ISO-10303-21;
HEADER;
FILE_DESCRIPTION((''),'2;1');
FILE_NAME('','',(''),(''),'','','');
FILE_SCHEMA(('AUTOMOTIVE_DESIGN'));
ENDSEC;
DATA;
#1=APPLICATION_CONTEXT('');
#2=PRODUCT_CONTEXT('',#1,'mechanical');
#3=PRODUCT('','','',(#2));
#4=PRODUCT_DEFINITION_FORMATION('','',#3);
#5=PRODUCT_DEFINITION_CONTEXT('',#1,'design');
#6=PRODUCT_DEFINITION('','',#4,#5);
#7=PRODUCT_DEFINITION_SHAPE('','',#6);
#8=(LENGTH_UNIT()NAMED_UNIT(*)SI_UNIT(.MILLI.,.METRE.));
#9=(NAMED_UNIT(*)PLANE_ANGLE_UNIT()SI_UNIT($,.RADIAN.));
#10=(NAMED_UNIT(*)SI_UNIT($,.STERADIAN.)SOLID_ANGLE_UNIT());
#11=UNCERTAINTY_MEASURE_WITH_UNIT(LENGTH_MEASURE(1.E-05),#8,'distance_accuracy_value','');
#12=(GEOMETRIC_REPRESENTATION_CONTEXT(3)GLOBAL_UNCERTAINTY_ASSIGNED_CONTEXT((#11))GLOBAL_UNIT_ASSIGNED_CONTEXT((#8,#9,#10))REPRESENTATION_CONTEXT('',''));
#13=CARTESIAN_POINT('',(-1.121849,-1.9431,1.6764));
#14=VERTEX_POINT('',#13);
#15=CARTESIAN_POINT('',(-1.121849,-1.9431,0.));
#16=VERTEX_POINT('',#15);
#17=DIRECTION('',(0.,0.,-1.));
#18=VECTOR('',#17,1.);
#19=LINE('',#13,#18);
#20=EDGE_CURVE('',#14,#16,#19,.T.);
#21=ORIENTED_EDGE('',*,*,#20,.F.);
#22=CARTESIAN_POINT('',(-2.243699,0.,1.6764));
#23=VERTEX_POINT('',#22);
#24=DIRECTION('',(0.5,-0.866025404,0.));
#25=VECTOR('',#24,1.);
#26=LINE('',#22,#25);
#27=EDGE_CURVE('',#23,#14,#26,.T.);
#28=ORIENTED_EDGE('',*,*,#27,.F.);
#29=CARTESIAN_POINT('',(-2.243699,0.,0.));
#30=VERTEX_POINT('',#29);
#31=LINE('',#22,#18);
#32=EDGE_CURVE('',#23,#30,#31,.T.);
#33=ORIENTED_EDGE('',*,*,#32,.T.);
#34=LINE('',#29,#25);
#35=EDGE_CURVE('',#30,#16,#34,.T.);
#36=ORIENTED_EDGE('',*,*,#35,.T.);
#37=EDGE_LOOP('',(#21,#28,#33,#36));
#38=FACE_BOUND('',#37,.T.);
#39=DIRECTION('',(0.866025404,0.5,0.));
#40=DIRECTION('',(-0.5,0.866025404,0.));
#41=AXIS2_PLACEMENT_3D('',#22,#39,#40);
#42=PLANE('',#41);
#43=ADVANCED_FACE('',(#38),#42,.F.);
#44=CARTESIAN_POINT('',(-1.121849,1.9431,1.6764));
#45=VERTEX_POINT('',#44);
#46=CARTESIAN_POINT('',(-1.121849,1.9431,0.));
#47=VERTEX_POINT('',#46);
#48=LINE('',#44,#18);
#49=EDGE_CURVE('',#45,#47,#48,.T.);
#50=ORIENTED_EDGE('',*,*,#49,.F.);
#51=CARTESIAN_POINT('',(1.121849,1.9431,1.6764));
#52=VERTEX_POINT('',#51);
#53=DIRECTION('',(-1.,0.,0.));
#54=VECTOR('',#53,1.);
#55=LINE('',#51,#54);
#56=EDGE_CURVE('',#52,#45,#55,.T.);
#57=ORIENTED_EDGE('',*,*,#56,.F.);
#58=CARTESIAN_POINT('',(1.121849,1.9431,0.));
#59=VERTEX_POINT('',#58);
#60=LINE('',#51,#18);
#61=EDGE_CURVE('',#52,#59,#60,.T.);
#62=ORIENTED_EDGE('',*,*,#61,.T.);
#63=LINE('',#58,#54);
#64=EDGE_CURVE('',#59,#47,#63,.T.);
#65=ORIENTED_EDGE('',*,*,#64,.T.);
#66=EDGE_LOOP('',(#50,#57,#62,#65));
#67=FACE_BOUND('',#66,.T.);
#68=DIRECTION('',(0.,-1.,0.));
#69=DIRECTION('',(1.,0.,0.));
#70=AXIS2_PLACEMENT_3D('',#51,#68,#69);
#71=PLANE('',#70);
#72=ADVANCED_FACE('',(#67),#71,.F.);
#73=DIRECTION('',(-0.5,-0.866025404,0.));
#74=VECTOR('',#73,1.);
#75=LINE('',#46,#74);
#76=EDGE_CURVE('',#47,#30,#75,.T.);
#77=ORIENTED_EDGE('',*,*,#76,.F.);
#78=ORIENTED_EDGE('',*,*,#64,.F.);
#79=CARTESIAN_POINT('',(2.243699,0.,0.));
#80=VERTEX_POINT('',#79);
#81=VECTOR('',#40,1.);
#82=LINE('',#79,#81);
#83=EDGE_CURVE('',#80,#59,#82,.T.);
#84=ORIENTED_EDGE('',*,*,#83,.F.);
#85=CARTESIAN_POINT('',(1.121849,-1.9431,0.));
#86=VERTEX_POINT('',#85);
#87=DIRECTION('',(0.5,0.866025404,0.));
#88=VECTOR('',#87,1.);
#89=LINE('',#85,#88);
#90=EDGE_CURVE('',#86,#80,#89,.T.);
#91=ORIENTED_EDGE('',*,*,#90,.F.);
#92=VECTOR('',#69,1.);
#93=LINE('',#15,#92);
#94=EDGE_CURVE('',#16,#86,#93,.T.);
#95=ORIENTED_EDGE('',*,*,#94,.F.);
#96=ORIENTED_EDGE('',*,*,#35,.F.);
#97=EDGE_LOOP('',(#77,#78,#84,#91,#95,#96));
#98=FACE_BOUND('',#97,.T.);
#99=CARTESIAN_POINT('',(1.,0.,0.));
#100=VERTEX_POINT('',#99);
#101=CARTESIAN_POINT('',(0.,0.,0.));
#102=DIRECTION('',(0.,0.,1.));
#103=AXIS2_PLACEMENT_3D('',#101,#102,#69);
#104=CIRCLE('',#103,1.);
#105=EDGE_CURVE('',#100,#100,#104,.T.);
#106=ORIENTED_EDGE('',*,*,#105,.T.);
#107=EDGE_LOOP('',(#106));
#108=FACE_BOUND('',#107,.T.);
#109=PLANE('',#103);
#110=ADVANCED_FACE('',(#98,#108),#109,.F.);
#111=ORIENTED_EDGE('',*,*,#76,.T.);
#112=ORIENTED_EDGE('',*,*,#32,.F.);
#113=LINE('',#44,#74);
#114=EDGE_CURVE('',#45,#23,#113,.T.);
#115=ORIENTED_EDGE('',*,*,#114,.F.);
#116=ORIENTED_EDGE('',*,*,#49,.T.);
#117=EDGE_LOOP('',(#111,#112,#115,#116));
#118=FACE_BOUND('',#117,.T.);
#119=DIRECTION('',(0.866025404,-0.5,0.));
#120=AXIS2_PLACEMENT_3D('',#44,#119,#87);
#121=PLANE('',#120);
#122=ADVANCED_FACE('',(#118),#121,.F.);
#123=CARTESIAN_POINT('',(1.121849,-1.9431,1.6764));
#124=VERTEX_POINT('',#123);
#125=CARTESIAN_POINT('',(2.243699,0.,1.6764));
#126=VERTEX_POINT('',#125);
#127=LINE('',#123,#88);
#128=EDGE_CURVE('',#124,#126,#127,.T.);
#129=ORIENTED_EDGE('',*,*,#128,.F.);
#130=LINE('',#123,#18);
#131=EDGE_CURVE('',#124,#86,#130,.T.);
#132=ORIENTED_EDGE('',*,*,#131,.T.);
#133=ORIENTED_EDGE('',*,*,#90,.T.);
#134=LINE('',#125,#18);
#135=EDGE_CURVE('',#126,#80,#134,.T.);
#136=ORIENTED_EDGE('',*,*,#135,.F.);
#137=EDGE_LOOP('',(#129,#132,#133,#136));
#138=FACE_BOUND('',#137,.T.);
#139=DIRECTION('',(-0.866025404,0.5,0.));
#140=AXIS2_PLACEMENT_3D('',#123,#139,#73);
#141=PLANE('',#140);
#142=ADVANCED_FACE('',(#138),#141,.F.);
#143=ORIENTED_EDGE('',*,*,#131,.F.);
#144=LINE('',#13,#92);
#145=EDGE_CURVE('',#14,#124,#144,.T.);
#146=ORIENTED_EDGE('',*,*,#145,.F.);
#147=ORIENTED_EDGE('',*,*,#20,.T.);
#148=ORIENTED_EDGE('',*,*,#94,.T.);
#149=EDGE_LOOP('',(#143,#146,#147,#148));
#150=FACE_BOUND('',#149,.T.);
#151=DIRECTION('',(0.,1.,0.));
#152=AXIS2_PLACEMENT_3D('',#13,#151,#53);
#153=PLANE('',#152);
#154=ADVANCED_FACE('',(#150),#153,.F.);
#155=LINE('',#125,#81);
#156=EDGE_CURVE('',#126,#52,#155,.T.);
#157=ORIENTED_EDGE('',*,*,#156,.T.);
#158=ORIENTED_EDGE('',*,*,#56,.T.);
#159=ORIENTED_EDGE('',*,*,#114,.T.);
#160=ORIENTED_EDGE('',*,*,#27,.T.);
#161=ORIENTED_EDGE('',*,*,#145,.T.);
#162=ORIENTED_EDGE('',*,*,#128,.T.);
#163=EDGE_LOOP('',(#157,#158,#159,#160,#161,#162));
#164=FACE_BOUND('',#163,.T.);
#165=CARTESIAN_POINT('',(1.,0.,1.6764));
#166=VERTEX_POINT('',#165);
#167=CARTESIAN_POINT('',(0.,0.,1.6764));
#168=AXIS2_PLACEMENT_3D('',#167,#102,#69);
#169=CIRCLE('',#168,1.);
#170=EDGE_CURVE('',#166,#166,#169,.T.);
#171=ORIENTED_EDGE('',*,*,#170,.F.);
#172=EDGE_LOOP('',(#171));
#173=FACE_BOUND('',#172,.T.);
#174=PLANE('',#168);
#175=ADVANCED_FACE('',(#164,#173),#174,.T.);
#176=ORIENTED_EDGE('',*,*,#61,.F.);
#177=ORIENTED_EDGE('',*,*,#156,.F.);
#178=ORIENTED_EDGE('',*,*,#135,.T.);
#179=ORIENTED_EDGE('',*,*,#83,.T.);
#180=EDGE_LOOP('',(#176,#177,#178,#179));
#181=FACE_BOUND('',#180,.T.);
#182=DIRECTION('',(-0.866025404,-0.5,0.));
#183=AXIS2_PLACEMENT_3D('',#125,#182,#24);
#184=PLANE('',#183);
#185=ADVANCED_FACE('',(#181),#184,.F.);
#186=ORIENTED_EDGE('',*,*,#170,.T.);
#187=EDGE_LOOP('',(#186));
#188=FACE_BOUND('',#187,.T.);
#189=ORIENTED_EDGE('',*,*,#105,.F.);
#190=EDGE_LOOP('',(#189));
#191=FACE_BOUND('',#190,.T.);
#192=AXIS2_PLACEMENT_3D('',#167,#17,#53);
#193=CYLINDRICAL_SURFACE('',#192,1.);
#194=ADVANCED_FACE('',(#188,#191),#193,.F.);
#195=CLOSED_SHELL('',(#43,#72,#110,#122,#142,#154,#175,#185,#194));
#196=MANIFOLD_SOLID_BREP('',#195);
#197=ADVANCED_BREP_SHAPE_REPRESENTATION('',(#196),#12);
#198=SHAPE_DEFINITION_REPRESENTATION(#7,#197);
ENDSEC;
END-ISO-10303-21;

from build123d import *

# Parameters (mm, degrees)
SKETCH1_R           = 1
BOSS_EXTRUDE1_DEPTH = 1.6764


with BuildPart() as part:
    # Sketch1 → Boss-Extrude1 (new body)
    with BuildSketch(Plane.XY):
        Polygon((2.243698616, 0), (1.121849308, 1.9431), (-1.121849308, 1.9431), (-2.243698616, 0), (-1.121849308, -1.9431), (1.121849308, -1.9431), align=None)
        Circle(SKETCH1_R, mode=Mode.SUBTRACT)
    extrude(amount=BOSS_EXTRUDE1_DEPTH)


solid = part.part
